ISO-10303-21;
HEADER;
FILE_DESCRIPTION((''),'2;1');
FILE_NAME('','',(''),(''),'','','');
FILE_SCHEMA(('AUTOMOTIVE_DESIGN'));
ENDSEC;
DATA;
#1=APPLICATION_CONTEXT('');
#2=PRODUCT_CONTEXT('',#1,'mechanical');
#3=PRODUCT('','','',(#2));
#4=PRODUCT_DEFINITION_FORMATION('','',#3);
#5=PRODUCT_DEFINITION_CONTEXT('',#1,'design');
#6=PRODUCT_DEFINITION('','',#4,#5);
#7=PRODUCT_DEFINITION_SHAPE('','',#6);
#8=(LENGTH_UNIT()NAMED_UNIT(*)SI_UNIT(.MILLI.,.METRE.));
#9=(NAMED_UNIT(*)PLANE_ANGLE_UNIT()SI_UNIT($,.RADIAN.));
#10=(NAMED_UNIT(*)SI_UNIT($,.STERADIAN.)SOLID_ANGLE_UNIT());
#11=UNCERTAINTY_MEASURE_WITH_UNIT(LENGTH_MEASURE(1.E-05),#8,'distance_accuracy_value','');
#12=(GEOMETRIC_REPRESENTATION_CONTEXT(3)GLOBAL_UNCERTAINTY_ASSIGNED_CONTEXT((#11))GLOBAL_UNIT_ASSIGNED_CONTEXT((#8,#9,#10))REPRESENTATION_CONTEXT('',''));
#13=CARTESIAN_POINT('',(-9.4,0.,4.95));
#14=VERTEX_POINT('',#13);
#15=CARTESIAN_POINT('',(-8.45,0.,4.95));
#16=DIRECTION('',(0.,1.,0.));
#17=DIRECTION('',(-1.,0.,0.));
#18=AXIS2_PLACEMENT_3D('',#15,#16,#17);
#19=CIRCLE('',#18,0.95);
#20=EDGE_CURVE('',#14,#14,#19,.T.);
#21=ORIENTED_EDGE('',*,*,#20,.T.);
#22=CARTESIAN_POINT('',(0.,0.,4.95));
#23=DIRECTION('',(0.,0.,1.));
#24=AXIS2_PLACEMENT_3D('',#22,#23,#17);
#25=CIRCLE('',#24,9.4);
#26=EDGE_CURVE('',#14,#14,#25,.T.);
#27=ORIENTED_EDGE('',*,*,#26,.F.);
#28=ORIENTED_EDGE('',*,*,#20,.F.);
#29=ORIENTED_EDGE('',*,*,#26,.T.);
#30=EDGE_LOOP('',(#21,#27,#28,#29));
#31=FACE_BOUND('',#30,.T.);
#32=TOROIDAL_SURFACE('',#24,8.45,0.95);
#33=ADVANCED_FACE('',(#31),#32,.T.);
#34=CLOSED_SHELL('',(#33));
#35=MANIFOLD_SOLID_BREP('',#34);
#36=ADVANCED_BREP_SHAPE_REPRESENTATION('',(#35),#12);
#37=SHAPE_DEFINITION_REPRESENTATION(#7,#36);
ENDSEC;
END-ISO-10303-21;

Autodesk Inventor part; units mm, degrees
ref_plane "YZ Plane" through (0, 0, 0) normal (1, 0, 0) x (0, 1, 0)
ref_plane "XZ Plane" through (0, 0, 0) normal (0, 1, 0) x (-1, 0, 0)
ref_plane "XY Plane" through (0, 0, 0) normal (0, 0, 1) x (1, 0, 0)
sketch "Sketch2" plane through (0, 0, 0) normal (0, 1, 0) x (-1, 0, 0)
  circle A0 centre (8.45, 4.95) radius 0.95
  line L0 (0, -1.18) -> (0, 7.08) projected
  point P0 (0, 0)
  dimension "d4" = 8.45
  dimension "d4" = 8.45
revolve "Revolution2" add sketch "Sketch2" angle 360 about axis through (0, 0, -10) along (0, 0, 1)
properties part number "OringSmall" material "Rubber"
